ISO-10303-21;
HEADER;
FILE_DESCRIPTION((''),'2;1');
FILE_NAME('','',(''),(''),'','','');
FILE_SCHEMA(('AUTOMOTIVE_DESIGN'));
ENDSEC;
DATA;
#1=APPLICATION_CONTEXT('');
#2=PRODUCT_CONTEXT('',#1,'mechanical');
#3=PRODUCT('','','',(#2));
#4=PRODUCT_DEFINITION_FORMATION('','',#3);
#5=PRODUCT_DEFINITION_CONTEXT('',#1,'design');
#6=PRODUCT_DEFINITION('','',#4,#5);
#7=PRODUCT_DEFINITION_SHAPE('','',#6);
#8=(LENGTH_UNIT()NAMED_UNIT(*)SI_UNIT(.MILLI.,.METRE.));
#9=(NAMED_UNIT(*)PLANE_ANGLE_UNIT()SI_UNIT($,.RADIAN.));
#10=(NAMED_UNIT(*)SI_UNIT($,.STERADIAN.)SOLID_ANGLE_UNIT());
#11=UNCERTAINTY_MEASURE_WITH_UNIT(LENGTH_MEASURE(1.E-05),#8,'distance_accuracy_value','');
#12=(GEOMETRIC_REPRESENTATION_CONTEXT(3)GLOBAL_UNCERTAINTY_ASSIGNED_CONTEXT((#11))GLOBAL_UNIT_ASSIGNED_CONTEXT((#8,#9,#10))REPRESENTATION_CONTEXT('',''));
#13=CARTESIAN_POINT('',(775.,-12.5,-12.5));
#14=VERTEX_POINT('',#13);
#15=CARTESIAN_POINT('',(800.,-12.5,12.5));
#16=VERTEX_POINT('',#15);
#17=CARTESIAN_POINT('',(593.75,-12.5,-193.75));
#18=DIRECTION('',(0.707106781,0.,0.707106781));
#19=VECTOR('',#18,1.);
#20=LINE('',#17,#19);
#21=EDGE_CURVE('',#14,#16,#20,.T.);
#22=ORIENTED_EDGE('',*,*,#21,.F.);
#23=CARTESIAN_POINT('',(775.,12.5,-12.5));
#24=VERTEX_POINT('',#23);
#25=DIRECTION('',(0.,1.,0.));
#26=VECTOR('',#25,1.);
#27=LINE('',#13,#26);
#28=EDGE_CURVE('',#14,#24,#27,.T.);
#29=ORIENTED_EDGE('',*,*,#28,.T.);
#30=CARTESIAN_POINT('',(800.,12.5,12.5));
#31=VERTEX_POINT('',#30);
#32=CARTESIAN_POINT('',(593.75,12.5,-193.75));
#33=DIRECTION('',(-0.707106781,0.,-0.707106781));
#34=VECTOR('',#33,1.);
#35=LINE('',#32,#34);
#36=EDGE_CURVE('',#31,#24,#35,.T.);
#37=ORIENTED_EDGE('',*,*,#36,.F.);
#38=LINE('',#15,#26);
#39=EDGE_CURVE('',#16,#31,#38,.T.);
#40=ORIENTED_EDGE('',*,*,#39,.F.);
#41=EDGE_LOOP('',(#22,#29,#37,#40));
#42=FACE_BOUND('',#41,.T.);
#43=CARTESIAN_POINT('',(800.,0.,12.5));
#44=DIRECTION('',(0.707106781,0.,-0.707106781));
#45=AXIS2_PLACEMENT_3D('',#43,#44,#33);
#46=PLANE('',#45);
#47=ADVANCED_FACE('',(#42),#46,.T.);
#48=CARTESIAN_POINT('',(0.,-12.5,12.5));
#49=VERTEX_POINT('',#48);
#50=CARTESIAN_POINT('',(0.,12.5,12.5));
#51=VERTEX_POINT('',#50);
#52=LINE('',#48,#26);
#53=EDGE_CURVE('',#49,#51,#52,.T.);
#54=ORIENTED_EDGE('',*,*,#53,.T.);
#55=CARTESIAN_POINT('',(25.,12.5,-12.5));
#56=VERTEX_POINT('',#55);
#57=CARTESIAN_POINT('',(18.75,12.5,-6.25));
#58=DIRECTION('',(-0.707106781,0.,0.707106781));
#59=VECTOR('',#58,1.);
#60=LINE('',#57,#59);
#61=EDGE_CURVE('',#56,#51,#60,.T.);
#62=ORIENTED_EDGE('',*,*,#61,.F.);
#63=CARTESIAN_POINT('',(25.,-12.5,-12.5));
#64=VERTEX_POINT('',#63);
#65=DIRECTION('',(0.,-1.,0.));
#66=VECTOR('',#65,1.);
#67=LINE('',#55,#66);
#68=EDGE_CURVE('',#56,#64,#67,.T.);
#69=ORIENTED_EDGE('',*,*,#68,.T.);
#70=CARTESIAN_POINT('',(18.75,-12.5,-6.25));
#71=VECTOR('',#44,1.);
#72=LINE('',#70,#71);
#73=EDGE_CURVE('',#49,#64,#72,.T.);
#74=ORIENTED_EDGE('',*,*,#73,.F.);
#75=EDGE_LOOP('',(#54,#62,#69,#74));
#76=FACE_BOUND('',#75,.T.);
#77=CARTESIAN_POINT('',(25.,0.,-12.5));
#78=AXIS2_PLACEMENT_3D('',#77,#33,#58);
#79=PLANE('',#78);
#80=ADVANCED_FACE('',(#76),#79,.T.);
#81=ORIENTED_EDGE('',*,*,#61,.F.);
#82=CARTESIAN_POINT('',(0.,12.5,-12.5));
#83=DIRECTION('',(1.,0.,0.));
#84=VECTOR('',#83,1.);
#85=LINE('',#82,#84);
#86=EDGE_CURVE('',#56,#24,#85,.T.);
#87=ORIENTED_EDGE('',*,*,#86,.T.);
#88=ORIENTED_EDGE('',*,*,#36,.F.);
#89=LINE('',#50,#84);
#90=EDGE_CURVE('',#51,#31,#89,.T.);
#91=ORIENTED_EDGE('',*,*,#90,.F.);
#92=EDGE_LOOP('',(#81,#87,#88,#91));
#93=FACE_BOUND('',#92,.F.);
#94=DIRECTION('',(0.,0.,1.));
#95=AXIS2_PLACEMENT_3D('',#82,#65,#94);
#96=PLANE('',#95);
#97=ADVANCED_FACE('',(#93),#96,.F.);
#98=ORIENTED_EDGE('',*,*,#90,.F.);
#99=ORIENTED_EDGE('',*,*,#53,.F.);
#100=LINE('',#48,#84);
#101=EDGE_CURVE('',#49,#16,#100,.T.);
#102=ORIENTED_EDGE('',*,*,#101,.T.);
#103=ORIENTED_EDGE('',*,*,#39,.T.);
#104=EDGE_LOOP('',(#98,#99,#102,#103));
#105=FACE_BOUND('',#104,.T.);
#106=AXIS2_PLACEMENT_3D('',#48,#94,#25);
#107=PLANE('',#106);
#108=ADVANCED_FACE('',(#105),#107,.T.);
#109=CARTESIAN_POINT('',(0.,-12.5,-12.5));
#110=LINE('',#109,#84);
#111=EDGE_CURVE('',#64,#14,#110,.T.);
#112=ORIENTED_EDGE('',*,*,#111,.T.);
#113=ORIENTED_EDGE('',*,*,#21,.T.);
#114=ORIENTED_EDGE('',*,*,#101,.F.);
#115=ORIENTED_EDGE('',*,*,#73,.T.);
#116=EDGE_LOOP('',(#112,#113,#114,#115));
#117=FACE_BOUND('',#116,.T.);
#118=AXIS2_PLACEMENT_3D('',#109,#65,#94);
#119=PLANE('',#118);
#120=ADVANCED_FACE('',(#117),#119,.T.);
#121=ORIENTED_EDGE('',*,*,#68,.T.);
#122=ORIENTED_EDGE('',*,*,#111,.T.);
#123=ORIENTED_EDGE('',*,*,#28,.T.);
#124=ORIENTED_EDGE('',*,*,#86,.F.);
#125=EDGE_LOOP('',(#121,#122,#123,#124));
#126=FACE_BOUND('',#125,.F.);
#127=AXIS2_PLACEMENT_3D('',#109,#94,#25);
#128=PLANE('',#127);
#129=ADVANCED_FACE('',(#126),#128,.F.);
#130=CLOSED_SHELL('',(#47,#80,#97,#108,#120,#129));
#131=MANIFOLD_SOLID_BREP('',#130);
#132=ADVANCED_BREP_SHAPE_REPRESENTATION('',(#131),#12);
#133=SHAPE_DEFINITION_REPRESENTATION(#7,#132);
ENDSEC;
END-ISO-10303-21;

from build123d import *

# Parameters (mm, degrees)
F0_W          = 25
F0_H          = 25
F1_DEPTH      = 800
F3_DEPTH      = 12.501
F3_DEPTH_BACK = 12.501
F5_DEPTH      = 12.501
F5_DEPTH_BACK = 12.501


with BuildPart() as f1:
    # F0 (on Right) → F1 (new body)
    with BuildSketch(Plane.YZ):
        Rectangle(F0_W, F0_H)
    extrude(amount=F1_DEPTH)

    # F2 (on Front) → F3 (cut, two sides)
    with BuildSketch(Plane.XZ) as f3_sk:
        Polygon((25, -12.5), (0, 12.5), (0, -12.5), align=None)
    extrude(amount=-F3_DEPTH, mode=Mode.SUBTRACT)
    extrude(f3_sk.sketch, amount=F3_DEPTH_BACK, mode=Mode.SUBTRACT)

    # F4 (on Front) → F5 (cut, two sides)
    with BuildSketch(Plane.XZ) as f5_sk:
        Polygon((800, -12.5), (800, 12.5), (775, -12.5), align=None)
    extrude(amount=-F5_DEPTH, mode=Mode.SUBTRACT)
    extrude(f5_sk.sketch, amount=F5_DEPTH_BACK, mode=Mode.SUBTRACT)


solid = f1.part
